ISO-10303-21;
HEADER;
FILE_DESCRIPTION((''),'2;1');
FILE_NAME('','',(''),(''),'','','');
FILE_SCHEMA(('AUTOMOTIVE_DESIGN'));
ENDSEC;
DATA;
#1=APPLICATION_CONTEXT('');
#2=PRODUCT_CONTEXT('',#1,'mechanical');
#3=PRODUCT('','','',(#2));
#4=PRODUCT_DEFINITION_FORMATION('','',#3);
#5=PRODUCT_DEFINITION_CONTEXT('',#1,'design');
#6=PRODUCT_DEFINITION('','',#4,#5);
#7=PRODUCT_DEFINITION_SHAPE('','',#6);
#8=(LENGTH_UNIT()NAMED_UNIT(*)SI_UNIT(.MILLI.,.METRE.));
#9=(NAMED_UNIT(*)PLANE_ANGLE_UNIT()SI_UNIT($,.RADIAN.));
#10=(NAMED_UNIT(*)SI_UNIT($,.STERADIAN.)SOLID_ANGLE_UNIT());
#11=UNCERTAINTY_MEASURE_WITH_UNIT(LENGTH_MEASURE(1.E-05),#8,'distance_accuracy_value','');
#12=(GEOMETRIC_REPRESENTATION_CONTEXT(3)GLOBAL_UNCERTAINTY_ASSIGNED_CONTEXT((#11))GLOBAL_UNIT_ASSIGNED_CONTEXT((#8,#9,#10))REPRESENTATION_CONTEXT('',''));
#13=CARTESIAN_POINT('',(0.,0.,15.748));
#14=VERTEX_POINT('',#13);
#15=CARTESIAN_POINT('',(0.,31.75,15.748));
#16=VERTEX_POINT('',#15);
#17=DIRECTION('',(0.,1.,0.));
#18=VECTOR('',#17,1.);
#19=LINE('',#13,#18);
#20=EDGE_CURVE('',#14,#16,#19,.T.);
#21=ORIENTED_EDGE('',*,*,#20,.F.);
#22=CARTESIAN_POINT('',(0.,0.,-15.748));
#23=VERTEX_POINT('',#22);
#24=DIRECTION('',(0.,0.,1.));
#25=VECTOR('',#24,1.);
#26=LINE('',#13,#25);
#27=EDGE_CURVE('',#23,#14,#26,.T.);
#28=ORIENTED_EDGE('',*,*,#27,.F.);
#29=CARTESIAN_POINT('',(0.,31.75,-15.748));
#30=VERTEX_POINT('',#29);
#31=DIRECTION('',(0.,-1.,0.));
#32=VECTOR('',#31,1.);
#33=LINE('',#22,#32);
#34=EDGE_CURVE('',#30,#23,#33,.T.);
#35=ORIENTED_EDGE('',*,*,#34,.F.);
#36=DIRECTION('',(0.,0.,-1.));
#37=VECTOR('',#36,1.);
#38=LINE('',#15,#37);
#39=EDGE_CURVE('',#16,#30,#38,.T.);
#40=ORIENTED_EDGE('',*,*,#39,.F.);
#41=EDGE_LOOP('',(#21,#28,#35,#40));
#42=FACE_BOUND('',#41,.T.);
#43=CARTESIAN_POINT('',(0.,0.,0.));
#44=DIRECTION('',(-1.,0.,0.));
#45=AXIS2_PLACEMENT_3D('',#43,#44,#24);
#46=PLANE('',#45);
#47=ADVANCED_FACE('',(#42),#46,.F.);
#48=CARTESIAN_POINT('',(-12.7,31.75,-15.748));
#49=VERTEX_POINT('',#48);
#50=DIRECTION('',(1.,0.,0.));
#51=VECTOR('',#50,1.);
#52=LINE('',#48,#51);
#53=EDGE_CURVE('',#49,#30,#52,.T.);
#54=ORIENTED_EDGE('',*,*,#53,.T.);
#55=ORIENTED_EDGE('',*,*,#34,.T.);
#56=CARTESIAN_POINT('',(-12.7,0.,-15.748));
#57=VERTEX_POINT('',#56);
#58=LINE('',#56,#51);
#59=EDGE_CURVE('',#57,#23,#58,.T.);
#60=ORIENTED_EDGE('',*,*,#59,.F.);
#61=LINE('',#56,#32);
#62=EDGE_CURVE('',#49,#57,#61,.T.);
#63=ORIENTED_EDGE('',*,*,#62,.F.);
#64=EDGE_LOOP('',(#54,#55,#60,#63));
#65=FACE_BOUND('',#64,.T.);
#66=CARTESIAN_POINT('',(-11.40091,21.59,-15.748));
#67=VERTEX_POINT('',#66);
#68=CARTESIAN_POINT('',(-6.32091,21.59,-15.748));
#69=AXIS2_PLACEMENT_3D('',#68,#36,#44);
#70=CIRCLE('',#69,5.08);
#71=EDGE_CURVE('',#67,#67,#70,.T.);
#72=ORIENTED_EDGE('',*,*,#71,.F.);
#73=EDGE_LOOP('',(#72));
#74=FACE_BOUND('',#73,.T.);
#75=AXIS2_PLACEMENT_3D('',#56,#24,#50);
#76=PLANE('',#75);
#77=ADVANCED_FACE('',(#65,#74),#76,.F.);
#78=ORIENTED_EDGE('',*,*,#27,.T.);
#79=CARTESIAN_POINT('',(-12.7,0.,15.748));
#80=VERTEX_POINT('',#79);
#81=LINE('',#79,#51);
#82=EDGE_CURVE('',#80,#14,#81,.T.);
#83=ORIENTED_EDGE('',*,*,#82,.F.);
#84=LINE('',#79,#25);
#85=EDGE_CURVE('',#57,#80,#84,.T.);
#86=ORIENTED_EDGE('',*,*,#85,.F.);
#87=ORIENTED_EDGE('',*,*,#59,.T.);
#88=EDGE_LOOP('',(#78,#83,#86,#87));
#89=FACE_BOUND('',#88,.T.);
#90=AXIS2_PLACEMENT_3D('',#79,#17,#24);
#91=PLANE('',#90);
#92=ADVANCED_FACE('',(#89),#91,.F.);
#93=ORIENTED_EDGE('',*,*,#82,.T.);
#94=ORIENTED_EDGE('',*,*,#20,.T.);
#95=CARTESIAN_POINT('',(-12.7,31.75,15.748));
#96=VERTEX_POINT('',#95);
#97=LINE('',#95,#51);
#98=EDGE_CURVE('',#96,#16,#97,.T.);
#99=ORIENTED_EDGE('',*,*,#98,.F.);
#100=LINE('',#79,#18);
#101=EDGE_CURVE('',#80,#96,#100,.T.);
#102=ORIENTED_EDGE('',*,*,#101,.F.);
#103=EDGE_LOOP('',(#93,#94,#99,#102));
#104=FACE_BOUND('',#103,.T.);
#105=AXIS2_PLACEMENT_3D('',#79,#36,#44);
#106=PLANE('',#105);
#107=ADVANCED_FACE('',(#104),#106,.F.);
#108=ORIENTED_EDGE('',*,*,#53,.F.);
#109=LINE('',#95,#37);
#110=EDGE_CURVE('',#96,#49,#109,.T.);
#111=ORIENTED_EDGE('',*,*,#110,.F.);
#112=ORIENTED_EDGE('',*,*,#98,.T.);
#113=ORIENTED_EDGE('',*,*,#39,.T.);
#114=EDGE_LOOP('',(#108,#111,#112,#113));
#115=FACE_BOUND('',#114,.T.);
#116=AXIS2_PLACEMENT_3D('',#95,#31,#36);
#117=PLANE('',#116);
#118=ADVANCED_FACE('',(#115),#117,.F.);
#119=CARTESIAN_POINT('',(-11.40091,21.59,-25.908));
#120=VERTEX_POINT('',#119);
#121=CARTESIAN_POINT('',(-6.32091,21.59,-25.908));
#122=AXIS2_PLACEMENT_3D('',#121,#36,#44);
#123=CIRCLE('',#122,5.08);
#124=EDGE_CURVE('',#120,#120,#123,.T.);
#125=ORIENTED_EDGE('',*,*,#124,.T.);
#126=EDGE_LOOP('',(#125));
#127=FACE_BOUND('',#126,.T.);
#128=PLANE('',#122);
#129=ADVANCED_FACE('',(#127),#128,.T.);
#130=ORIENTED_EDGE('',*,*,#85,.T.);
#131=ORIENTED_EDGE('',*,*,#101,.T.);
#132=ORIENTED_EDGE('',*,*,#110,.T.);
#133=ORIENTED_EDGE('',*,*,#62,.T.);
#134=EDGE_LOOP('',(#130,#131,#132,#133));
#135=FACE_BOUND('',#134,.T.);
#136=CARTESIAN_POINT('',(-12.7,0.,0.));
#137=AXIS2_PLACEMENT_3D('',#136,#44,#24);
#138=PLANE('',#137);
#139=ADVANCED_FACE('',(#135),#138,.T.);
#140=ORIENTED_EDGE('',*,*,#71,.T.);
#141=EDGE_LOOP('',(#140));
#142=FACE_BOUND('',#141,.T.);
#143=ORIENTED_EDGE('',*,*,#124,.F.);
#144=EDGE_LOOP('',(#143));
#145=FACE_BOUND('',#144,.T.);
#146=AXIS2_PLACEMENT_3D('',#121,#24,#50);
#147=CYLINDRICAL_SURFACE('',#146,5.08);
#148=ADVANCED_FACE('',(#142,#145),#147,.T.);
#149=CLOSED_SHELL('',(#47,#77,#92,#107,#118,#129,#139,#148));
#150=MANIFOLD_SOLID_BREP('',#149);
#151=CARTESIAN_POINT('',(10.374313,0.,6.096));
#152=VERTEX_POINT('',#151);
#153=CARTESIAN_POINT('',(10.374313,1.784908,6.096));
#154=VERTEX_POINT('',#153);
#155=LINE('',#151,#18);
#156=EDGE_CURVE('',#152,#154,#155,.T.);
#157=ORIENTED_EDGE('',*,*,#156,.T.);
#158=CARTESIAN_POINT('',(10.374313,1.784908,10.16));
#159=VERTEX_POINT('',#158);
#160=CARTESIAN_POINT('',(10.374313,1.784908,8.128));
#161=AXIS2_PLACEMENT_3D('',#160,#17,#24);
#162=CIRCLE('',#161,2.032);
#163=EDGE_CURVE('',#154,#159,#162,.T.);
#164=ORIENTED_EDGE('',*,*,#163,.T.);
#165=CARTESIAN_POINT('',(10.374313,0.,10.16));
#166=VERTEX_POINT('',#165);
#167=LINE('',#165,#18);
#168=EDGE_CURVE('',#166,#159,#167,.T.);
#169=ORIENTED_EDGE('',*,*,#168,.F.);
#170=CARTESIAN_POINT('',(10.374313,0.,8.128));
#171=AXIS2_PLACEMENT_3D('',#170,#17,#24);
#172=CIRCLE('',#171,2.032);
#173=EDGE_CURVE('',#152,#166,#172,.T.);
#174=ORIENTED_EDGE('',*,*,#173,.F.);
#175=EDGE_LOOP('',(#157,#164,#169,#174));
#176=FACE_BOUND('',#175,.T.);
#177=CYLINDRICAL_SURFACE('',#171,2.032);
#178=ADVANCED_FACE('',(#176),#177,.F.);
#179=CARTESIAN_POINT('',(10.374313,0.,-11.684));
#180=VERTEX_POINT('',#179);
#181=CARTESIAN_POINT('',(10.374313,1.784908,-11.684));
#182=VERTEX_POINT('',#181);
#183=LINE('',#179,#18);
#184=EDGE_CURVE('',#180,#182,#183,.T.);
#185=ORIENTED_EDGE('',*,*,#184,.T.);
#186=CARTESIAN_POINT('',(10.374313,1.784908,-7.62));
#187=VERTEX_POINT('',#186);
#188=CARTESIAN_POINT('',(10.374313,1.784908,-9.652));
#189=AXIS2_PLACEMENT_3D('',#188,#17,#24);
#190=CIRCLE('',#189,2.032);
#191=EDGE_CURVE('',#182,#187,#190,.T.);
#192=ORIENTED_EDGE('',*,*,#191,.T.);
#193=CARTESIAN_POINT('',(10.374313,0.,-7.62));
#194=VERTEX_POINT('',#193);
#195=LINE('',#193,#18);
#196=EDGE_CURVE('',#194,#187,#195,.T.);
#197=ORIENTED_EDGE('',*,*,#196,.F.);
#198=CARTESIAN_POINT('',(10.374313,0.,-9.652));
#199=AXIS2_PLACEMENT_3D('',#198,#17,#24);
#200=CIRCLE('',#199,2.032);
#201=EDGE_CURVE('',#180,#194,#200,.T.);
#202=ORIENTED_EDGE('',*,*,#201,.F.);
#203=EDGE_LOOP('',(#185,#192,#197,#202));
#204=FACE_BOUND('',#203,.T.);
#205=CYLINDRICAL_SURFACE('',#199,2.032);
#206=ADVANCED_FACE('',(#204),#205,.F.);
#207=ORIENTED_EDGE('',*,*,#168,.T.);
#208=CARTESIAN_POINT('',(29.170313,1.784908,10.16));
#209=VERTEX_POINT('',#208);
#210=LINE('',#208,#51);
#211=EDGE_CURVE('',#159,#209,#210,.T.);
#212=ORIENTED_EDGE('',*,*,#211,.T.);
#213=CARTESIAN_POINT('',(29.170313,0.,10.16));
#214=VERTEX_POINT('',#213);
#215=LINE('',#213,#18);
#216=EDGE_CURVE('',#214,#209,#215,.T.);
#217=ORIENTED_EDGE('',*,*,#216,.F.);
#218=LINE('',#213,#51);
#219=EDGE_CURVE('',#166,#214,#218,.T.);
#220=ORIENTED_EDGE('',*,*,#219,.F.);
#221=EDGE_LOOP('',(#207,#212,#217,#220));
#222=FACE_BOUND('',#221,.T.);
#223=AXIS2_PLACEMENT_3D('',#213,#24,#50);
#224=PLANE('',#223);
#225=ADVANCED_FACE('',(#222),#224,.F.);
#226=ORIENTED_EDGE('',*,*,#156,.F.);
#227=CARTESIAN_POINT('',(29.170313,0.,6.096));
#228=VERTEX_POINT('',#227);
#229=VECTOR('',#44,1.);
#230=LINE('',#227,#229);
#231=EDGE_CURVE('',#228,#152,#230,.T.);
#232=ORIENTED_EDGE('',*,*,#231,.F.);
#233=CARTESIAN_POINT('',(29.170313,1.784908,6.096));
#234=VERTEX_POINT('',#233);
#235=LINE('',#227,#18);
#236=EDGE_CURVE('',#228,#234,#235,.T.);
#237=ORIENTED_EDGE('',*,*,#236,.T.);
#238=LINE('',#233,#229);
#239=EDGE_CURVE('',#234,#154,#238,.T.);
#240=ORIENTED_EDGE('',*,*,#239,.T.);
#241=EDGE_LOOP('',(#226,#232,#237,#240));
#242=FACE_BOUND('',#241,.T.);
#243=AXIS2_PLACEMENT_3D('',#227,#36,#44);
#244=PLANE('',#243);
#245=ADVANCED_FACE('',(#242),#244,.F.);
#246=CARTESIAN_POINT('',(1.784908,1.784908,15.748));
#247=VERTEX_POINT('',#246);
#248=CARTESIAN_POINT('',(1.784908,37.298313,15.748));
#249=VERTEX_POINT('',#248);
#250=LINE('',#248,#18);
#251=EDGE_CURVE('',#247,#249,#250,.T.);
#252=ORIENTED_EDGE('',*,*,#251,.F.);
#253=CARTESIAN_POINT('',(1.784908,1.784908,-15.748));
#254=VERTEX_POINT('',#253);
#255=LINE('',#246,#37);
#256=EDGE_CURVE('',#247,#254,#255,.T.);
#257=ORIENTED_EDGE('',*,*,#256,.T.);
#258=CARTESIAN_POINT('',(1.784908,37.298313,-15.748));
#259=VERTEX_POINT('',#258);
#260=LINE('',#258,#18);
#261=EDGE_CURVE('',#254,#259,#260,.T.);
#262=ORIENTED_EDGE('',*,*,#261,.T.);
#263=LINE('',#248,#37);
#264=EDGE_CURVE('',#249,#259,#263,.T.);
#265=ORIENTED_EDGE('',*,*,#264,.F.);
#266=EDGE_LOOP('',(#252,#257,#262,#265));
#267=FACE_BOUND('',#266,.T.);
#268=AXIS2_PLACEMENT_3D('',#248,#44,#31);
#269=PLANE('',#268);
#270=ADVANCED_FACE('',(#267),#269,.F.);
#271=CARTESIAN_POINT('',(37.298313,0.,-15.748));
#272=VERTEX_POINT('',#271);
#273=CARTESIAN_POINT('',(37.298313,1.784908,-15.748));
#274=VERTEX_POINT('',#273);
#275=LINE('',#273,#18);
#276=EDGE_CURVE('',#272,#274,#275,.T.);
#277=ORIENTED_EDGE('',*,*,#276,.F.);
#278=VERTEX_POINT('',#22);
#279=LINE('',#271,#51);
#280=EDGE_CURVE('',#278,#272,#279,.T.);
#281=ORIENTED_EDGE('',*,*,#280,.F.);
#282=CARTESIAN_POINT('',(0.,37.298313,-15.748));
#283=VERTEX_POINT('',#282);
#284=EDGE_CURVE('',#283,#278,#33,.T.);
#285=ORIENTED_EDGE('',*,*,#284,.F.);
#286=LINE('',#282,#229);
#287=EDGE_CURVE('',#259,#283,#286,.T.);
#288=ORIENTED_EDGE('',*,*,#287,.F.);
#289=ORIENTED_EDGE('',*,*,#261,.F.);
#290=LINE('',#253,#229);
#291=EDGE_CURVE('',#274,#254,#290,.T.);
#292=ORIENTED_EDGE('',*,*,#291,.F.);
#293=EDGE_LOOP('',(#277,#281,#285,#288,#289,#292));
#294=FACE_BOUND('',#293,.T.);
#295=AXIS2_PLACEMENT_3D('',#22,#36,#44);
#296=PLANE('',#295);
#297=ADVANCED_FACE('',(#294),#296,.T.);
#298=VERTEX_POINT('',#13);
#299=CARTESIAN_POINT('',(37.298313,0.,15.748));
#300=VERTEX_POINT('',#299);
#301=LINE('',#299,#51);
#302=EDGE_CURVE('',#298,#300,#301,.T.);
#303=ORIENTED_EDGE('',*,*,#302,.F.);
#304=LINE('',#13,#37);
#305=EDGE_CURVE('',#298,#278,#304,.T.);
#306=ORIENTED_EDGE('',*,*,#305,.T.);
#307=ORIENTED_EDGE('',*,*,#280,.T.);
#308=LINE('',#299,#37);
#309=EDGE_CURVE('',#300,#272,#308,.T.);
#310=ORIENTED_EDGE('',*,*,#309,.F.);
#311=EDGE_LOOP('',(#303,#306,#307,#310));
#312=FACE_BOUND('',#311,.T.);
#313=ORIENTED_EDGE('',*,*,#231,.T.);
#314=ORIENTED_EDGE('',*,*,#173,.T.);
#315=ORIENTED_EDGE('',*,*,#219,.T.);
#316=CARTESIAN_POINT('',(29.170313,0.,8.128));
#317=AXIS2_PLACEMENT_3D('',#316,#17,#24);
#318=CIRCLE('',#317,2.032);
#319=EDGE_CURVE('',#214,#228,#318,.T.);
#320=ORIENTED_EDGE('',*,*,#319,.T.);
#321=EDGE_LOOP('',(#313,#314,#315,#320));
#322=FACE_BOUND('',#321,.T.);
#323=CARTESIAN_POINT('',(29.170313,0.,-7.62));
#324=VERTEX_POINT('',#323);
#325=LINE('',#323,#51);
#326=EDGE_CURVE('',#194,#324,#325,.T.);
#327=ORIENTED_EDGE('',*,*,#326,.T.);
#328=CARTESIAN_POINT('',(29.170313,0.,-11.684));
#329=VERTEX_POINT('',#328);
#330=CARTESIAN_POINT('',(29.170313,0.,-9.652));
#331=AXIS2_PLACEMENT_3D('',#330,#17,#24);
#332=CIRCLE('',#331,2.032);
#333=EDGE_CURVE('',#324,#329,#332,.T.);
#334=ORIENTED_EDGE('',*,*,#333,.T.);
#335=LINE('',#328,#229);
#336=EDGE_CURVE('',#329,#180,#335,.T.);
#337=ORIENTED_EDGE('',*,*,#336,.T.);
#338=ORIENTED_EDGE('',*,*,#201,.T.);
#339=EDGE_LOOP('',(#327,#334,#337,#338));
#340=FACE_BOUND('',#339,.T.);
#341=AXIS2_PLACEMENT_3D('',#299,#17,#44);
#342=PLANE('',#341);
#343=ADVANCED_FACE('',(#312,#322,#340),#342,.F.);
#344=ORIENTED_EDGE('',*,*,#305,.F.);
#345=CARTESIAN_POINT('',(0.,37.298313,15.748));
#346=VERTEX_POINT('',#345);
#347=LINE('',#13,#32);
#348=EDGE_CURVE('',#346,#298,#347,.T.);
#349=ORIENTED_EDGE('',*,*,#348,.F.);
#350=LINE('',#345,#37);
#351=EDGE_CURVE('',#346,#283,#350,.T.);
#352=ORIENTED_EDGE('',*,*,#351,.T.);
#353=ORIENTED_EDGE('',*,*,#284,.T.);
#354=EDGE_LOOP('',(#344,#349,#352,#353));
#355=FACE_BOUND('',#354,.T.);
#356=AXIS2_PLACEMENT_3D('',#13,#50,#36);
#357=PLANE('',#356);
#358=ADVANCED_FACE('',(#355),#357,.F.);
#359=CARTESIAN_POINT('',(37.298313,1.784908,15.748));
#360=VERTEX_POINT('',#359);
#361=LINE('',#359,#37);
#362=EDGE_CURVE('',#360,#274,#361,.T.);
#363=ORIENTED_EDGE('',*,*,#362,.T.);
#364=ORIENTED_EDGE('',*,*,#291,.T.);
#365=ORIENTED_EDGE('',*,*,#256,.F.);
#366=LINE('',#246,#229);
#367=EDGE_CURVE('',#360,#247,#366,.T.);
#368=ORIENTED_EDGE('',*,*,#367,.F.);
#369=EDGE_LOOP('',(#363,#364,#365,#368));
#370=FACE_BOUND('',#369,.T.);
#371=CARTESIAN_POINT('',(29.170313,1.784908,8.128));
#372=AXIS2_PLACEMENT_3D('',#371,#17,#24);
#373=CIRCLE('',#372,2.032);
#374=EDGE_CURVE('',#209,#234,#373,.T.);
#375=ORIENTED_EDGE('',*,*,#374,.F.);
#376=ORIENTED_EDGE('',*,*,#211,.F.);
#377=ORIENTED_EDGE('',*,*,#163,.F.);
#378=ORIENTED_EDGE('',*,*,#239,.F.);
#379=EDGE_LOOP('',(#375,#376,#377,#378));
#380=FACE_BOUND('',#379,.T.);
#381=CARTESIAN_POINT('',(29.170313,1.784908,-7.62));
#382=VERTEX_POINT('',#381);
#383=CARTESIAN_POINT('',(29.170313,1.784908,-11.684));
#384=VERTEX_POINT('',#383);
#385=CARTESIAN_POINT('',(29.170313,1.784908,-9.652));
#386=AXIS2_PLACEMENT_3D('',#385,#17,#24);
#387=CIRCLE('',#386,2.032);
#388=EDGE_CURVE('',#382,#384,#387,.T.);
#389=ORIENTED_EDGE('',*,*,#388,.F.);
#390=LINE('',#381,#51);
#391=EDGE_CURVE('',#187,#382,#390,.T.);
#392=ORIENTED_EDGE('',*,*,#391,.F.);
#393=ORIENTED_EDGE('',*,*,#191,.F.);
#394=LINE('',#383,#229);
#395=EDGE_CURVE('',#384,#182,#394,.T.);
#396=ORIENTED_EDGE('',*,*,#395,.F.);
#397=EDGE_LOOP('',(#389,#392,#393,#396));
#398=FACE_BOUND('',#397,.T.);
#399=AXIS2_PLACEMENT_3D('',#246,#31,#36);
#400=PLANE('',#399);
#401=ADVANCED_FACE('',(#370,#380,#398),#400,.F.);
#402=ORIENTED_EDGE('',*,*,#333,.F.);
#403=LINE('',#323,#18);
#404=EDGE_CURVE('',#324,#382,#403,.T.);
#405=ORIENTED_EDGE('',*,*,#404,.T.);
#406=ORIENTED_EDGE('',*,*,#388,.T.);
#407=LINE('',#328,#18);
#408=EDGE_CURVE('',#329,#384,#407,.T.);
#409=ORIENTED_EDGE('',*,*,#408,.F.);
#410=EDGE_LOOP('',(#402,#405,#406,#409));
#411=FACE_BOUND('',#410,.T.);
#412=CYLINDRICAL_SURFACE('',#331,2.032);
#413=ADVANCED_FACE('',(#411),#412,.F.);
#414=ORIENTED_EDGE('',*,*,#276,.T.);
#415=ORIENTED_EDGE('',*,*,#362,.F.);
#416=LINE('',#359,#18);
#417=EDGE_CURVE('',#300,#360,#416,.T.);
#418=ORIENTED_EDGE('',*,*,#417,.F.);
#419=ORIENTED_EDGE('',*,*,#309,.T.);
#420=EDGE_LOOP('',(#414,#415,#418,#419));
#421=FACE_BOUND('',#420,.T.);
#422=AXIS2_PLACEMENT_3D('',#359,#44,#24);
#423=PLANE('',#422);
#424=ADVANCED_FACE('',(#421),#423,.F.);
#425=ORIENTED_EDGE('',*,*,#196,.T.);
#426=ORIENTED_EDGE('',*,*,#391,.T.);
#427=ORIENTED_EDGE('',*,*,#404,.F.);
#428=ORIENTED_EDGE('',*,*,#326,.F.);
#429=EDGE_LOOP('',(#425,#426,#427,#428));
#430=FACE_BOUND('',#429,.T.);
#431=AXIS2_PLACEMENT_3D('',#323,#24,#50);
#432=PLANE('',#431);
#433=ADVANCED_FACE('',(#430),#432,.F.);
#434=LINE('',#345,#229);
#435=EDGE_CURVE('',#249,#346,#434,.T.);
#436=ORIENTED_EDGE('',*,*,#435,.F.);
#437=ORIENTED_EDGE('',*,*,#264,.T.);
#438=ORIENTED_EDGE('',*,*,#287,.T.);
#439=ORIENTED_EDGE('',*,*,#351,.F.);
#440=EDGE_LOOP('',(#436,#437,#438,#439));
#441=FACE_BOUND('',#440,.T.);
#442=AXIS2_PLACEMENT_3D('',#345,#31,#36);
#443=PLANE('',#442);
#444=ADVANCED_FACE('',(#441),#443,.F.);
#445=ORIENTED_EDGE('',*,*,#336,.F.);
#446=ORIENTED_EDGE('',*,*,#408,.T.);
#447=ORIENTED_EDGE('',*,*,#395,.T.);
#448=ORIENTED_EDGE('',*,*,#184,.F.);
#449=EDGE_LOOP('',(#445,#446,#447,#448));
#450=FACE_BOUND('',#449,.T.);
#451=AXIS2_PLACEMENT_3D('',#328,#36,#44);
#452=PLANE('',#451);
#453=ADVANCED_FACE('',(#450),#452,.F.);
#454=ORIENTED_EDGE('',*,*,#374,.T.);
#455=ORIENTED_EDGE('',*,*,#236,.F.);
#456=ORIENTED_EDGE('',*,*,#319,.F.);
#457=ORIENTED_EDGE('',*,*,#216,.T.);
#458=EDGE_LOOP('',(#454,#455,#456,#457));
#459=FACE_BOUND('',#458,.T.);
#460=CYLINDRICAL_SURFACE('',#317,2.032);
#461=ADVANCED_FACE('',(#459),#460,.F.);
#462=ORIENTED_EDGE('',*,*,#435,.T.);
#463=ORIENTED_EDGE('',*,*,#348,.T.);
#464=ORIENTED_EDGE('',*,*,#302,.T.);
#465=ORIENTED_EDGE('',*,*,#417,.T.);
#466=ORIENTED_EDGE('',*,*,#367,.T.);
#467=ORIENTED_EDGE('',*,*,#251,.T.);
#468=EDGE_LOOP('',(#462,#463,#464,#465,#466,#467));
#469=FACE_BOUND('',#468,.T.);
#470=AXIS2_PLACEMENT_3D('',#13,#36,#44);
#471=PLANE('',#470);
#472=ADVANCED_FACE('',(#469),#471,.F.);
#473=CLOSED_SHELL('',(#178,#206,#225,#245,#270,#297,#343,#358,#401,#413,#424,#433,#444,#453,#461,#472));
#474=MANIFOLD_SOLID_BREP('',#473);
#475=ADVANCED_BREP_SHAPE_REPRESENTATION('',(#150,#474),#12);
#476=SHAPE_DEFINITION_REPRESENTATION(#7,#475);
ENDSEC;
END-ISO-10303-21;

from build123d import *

# Parameters (mm, degrees)
BOSS_EXTRUDE1_DEPTH = 15.748
SKETCH2_W           = 31.496
SKETCH2_H           = 31.75
BOSS_EXTRUDE2_DEPTH = 12.7
SKETCH4_R           = 5.08
BOSS_EXTRUDE3_DEPTH = 10.16
CUT_EXTRUDE1_DEPTH  = 2.784907768
LPATTERN1_COUNT     = 2
LPATTERN1_PITCH     = 17.78


with BuildPart() as part:
    # Sketch1 → Boss-Extrude1 (new body, symmetric)
    with BuildSketch(Plane.XY):
        Polygon((0, 0), (0, 37.298312705), (1.784907768, 37.298312705), (1.784907768, 1.784907768), (37.298312705, 1.784907768), (37.298312705, 0), align=None)
    extrude(amount=BOSS_EXTRUDE1_DEPTH, both=True)

    # Sketch6 → Cut-Extrude1 (cut, through all)
    with BuildSketch(Plane(origin=(0, 1.784907768, 0), x_dir=(1, 0, 0), z_dir=(0, 1, 0))):
        with BuildLine():
            Line((29.170312705, 11.684), (10.374312705, 11.684))
            ThreePointArc((10.374312705, 11.684), (8.342312705, 9.652), (10.374312705, 7.62))
            Line((10.374312705, 7.62), (29.170312705, 7.62))
            ThreePointArc((29.170312705, 7.62), (31.202312705, 9.652), (29.170312705, 11.684))
        make_face()
    cut_extrude1 = extrude(amount=-CUT_EXTRUDE1_DEPTH, mode=Mode.SUBTRACT)

    # LPattern1: Cut-Extrude1 ×2
    with Locations(*[(0, 0, i * LPATTERN1_PITCH) for i in range(1, LPATTERN1_COUNT)]):
        add(cut_extrude1, mode=Mode.SUBTRACT)


with BuildPart() as body_2:
    # Sketch2 → Boss-Extrude2 (new body)
    with BuildSketch(Plane.ZY):
        with Locations((0, 15.875)):
            Rectangle(SKETCH2_W, SKETCH2_H)
    extrude(amount=BOSS_EXTRUDE2_DEPTH)

    # Sketch4 → Boss-Extrude3 (add)
    with BuildSketch(Plane(origin=(0, 0, -15.748), x_dir=(-1, 0, 0), z_dir=(0, 0, -1))):
        with Locations((6.320909995, 21.59)):
            Circle(SKETCH4_R)
    extrude(amount=BOSS_EXTRUDE3_DEPTH)


solid = Compound([part.part, body_2.part])
